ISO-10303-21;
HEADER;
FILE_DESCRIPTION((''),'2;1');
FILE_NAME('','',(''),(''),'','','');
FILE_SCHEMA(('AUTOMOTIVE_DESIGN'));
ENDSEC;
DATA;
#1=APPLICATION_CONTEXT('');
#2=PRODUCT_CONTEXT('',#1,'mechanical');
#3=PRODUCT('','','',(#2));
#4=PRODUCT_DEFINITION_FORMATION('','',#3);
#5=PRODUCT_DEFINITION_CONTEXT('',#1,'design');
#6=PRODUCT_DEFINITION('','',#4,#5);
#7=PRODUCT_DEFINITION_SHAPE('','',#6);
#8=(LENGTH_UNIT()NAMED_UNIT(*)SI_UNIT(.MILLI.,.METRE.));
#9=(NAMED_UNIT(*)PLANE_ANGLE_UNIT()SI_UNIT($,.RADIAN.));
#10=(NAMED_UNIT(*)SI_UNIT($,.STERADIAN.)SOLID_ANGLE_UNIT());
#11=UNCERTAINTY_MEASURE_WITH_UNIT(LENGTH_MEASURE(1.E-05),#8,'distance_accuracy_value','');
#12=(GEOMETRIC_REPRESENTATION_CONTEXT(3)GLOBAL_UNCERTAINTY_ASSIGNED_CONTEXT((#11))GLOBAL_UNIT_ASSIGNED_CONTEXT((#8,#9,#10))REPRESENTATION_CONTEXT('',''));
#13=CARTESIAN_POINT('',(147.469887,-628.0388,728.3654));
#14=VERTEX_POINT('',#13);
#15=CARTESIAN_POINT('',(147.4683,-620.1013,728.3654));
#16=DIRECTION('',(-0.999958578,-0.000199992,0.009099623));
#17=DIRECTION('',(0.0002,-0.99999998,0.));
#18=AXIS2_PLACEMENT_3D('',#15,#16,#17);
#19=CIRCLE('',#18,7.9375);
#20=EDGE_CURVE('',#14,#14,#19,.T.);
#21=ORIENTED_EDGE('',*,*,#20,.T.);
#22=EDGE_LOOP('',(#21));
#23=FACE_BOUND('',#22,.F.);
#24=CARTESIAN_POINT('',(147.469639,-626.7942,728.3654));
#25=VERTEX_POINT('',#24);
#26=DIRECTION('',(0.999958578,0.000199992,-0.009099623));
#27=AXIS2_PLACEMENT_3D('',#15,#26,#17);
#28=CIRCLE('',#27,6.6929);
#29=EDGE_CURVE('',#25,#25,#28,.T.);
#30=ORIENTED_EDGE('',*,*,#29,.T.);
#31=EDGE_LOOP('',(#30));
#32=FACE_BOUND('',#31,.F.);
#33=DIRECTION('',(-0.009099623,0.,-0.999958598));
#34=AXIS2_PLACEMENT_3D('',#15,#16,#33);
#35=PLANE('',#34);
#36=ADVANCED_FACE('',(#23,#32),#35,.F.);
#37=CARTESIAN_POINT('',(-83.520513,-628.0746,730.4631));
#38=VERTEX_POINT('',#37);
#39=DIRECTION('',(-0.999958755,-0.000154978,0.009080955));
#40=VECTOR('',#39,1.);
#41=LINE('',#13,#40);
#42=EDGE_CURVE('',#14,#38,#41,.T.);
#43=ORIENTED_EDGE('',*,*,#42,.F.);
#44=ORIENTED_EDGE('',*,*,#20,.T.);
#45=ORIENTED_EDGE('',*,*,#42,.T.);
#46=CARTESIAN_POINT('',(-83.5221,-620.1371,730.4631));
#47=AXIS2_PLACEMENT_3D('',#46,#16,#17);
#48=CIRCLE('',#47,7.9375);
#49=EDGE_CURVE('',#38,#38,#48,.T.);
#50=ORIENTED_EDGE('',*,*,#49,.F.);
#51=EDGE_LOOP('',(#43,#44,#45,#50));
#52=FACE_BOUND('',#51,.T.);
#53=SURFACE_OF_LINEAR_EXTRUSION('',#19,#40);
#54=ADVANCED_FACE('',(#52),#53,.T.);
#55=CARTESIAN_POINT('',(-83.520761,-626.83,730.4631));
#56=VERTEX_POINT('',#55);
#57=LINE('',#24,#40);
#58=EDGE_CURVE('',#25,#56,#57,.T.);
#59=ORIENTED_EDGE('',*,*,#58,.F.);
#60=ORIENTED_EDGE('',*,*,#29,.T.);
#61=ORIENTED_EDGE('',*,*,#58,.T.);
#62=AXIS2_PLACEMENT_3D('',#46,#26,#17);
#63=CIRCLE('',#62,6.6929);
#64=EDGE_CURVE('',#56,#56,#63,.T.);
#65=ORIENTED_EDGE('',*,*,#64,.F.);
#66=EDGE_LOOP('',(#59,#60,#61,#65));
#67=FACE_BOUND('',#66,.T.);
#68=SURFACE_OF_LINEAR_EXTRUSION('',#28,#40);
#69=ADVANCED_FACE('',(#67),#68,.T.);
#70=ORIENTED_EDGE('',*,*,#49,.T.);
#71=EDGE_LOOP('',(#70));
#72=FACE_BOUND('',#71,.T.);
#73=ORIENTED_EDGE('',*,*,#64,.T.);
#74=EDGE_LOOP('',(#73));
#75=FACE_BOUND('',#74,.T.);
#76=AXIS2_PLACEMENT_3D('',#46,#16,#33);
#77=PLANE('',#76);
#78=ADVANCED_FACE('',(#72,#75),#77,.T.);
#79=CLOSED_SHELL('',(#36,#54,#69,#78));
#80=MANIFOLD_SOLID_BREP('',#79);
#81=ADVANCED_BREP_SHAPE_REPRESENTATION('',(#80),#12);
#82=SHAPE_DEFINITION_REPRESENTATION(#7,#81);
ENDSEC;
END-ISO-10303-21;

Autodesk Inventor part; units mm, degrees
ref_plane "YZ Plane" through (0, 0, 0) normal (1, 0, 0) x (0, 1, 0)
ref_plane "XZ Plane" through (0, 0, 0) normal (0, 1, 0) x (-1, 0, 0)
ref_plane "Work Plane5" through (147.4683, -620.1013, 728.3654) normal (-1, -0.0002, 0.0091) x (0.0002, -1, 0)
sketch "Sketch7" plane through (147.4683, -620.1013, 728.3654) normal (-1, -0.0002, 0.0091) x (0.0002, -1, 0)
  circle A0 centre (0, 0) radius 7.9375
  circle A1 centre (0, 0) radius 6.6929
sketch3d "3D Sketch5"
  line L0 (147.4683, -620.1013, 728.3654) -> (-83.5221, -620.1371, 730.4631)
sweep "Sweep5" add profiles "Sketch7" path "3D Sketch5"
equation "\"OD\" = 15.875"
equation "\"t\" = 1.2446"
equation "\"L\" = PL"
equation "\"ID\" = 13.3858"
equation "\"PL\" = 230.9876"
equation "\"Size_Designation\" = 1.2345"
properties material "Copper"
